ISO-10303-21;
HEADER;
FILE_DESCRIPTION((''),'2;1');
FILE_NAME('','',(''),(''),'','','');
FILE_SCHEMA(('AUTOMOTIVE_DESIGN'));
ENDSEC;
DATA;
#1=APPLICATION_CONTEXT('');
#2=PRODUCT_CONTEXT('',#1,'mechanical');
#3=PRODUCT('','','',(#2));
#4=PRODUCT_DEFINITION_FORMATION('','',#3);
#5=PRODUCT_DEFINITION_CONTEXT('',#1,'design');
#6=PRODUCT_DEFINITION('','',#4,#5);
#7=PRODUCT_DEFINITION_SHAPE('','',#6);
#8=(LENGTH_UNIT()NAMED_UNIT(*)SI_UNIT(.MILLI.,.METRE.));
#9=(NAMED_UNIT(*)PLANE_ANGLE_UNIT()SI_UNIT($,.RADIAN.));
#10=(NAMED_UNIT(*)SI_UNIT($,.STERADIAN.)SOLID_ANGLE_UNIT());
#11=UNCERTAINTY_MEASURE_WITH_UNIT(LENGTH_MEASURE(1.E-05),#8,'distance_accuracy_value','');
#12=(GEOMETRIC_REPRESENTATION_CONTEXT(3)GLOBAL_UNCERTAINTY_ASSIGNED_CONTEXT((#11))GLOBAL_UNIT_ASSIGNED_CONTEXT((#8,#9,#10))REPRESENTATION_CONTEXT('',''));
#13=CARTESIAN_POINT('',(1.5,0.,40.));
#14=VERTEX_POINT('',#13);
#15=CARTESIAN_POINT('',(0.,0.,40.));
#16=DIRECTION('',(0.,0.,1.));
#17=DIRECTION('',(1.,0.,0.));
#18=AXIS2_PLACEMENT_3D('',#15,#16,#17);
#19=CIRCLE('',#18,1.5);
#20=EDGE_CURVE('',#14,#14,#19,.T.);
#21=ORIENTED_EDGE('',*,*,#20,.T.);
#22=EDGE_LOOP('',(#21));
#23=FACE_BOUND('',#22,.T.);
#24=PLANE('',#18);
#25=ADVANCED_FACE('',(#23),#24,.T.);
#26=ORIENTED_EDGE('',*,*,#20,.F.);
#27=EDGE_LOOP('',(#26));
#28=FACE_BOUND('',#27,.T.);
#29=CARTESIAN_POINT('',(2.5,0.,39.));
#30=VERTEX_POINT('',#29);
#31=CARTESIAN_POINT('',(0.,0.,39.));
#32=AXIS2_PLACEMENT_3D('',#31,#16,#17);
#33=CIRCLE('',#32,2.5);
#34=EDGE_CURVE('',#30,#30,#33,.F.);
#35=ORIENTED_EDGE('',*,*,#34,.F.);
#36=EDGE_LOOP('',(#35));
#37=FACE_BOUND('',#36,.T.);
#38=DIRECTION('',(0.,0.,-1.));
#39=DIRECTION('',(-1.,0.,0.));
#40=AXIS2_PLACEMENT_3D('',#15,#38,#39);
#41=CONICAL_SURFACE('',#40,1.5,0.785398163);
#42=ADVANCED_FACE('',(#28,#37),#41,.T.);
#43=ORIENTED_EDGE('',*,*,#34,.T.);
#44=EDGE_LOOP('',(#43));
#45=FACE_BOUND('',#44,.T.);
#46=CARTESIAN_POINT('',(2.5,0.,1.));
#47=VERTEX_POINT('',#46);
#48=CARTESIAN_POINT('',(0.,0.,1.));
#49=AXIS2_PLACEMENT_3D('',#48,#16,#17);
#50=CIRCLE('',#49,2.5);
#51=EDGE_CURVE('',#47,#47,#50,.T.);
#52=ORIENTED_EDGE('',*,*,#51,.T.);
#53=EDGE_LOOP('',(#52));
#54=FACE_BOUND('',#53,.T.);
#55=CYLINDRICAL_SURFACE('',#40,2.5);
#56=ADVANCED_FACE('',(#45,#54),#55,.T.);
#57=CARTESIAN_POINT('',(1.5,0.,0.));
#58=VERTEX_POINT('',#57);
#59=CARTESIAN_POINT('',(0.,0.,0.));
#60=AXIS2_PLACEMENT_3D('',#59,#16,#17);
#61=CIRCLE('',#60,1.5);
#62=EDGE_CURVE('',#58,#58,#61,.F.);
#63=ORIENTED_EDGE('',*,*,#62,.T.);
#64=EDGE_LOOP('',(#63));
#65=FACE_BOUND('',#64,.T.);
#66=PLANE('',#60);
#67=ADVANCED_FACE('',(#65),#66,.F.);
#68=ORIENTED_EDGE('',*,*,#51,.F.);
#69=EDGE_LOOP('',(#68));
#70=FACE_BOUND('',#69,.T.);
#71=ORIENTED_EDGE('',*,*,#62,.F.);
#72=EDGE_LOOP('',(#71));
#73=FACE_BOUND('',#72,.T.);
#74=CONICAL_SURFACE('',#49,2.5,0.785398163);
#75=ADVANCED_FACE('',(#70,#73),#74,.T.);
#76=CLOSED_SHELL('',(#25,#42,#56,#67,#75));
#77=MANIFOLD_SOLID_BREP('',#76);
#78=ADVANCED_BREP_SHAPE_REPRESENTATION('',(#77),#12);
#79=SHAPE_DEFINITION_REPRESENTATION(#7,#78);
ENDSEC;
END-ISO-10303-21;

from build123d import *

# Parameters (mm, degrees)
SKETCH_1_R      = 2.5
EXTRUDE_1_DEPTH = 40
CHAMFER_1_SIZE  = 1
CHAMFER_2_SIZE  = 1


with BuildPart() as part:
    # Эскиз1 → Бобышка-Вытянуть1 (new body)
    with BuildSketch(Plane.XY):
        Circle(SKETCH_1_R)
    extrude(amount=EXTRUDE_1_DEPTH)

    # Фаска1
    chamfer_1_edges = [part.edges().sort_by_distance(p)[0] for p in [
        (-2.5, 0, 40),
    ]]
    chamfer(chamfer_1_edges, length=CHAMFER_1_SIZE)

    # Фаска2
    chamfer_2_edges = [part.edges().sort_by_distance(p)[0] for p in [
        (-2.5, 0, 0),
    ]]
    chamfer(chamfer_2_edges, length=CHAMFER_2_SIZE)


solid = part.part
